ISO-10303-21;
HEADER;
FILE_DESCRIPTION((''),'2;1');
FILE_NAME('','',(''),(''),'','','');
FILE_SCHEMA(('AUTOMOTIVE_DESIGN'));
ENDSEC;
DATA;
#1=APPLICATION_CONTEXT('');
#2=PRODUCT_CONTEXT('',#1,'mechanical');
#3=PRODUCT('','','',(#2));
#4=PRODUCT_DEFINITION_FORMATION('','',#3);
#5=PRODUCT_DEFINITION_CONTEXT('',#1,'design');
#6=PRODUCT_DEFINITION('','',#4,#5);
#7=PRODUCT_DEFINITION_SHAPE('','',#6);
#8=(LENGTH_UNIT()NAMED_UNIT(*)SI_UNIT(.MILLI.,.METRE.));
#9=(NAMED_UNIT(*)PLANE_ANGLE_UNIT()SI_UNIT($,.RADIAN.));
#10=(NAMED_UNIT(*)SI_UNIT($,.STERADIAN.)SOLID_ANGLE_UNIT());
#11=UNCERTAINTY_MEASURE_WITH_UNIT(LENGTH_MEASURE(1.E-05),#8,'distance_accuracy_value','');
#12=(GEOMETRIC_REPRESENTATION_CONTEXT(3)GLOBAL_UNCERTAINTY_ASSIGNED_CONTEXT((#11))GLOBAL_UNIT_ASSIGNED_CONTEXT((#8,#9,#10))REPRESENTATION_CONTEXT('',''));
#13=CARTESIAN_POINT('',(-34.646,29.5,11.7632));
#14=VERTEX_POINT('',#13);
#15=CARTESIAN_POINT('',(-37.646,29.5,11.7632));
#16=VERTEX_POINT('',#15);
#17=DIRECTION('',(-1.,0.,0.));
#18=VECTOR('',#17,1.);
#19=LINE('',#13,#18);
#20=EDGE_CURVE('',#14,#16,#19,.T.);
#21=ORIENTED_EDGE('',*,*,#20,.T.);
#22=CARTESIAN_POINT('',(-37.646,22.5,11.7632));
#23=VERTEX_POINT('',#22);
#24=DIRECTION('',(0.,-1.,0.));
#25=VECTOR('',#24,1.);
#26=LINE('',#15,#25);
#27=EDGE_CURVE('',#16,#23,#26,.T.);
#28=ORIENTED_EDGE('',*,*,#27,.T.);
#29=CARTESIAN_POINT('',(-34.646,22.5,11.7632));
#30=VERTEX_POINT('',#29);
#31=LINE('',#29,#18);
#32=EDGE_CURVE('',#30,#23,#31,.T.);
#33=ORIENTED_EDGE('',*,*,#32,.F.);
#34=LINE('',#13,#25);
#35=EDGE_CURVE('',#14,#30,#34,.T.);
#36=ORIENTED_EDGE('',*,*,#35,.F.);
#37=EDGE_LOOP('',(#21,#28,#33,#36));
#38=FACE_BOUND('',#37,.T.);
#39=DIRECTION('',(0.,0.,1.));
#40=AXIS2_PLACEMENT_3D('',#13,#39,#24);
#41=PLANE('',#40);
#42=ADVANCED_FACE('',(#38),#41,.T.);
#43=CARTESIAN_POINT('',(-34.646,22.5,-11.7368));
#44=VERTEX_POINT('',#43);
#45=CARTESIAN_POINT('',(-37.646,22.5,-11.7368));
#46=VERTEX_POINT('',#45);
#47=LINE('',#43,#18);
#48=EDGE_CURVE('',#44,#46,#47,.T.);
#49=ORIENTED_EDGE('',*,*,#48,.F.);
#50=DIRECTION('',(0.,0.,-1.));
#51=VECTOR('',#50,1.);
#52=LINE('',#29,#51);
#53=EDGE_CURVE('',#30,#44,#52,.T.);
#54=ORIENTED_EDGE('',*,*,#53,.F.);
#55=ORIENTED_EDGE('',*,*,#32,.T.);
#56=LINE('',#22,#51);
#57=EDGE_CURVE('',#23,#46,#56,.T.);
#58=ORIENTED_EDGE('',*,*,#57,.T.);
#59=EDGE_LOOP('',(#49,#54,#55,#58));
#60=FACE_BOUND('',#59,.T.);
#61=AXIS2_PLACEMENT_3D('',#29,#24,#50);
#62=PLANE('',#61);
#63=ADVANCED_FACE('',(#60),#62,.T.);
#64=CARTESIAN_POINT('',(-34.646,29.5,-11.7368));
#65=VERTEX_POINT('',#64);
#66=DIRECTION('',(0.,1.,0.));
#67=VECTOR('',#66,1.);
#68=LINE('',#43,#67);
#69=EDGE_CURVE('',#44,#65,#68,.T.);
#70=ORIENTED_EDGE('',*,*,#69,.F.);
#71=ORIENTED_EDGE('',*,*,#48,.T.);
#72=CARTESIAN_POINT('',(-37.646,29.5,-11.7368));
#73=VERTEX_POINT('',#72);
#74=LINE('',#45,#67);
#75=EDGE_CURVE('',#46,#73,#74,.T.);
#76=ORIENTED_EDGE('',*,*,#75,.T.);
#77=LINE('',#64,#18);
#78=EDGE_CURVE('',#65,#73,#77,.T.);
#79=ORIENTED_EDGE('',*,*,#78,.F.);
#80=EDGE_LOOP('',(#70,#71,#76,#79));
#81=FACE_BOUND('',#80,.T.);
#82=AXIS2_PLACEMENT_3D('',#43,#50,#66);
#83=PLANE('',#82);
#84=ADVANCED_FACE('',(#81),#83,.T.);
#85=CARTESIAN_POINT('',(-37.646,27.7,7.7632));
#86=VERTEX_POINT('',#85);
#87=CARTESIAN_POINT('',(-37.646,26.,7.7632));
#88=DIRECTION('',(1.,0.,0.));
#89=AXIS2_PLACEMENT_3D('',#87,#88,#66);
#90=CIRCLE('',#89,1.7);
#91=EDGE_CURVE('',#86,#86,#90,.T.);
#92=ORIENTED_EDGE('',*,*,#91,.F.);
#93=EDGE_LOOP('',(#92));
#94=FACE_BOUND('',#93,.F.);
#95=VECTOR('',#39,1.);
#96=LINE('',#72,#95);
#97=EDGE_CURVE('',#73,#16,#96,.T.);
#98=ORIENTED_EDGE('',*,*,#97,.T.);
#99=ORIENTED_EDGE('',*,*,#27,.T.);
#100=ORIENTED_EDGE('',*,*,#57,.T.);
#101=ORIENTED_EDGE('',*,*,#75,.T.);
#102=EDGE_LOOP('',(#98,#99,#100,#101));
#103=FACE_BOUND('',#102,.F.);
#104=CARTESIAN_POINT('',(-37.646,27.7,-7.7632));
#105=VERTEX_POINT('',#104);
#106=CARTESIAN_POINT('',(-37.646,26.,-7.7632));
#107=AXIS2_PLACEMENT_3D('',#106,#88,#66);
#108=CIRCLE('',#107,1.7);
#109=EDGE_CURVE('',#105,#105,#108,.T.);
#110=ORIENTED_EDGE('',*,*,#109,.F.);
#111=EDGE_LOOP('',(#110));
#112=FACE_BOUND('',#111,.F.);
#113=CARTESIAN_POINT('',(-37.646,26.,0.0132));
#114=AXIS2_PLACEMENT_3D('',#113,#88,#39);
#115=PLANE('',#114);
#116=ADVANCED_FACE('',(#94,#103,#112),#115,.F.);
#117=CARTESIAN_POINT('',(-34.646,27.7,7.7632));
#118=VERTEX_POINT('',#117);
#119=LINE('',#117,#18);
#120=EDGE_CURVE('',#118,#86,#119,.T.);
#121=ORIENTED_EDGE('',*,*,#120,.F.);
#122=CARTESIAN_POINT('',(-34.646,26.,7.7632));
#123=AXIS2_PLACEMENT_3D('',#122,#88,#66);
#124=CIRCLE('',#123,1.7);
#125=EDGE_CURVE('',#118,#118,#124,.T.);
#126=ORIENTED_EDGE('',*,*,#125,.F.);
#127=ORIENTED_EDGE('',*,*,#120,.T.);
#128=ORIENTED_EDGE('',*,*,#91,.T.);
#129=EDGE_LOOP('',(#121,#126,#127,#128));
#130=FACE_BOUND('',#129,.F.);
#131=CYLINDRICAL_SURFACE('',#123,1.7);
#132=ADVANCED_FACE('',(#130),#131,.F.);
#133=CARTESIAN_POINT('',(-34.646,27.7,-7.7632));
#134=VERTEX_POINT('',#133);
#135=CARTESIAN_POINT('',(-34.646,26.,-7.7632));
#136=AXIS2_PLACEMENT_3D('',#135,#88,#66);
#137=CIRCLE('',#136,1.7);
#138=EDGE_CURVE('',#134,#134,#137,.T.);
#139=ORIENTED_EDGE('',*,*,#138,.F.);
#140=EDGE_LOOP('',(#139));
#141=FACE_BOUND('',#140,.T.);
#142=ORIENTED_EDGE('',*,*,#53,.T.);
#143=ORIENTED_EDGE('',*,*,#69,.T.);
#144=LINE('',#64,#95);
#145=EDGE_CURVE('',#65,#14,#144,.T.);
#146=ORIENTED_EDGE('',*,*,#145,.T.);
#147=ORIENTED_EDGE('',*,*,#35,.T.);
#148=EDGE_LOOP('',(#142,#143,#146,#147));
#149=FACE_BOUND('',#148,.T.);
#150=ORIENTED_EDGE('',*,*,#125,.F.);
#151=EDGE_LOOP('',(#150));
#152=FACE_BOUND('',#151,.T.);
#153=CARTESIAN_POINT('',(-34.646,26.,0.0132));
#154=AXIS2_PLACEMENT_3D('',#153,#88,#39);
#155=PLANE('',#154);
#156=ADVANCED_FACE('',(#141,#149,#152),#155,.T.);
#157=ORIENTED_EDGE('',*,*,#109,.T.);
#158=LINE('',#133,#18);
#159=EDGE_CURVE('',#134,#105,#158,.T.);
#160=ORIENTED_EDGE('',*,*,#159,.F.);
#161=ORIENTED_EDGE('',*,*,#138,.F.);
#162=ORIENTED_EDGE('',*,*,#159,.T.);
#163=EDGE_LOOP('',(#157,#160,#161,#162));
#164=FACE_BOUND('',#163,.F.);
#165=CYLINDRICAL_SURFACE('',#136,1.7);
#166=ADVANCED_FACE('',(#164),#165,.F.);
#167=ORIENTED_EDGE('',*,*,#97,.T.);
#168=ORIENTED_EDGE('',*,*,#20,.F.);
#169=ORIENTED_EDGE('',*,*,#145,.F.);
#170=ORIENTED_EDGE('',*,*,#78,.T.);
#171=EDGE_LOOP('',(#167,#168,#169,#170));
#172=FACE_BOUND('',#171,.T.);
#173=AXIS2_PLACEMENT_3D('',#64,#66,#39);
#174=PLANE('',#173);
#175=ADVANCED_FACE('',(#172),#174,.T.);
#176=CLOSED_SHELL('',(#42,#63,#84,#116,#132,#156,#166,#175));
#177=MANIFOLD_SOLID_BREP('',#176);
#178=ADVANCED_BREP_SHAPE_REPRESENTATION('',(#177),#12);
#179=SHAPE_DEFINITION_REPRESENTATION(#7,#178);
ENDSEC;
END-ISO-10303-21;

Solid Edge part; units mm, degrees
sketch "Sketch1" plane through (-34.646, 0, 0) normal (1, 0, 0) x (0, 1, 0)
  circle A0 centre (26, -7.7632) radius 1.7
  line L0 (29.5, 11.7632) -> (22.5, 11.7632)
  line L1 (22.5, 11.7632) -> (22.5, -11.7368)
  line L2 (22.5, -11.7368) -> (29.5, -11.7368)
  line L3 (29.5, -11.7368) -> (29.5, 11.7632)
  circle A1 centre (26, 7.7632) radius 1.7
  dimension "D1" = 3.5
  dimension "D2" = 7
  dimension "D3" = 4
  dimension "D4" = 23.5
extrude "ExtrudedProtrusion_1" add sketch "Sketch1" against normal blind 3
